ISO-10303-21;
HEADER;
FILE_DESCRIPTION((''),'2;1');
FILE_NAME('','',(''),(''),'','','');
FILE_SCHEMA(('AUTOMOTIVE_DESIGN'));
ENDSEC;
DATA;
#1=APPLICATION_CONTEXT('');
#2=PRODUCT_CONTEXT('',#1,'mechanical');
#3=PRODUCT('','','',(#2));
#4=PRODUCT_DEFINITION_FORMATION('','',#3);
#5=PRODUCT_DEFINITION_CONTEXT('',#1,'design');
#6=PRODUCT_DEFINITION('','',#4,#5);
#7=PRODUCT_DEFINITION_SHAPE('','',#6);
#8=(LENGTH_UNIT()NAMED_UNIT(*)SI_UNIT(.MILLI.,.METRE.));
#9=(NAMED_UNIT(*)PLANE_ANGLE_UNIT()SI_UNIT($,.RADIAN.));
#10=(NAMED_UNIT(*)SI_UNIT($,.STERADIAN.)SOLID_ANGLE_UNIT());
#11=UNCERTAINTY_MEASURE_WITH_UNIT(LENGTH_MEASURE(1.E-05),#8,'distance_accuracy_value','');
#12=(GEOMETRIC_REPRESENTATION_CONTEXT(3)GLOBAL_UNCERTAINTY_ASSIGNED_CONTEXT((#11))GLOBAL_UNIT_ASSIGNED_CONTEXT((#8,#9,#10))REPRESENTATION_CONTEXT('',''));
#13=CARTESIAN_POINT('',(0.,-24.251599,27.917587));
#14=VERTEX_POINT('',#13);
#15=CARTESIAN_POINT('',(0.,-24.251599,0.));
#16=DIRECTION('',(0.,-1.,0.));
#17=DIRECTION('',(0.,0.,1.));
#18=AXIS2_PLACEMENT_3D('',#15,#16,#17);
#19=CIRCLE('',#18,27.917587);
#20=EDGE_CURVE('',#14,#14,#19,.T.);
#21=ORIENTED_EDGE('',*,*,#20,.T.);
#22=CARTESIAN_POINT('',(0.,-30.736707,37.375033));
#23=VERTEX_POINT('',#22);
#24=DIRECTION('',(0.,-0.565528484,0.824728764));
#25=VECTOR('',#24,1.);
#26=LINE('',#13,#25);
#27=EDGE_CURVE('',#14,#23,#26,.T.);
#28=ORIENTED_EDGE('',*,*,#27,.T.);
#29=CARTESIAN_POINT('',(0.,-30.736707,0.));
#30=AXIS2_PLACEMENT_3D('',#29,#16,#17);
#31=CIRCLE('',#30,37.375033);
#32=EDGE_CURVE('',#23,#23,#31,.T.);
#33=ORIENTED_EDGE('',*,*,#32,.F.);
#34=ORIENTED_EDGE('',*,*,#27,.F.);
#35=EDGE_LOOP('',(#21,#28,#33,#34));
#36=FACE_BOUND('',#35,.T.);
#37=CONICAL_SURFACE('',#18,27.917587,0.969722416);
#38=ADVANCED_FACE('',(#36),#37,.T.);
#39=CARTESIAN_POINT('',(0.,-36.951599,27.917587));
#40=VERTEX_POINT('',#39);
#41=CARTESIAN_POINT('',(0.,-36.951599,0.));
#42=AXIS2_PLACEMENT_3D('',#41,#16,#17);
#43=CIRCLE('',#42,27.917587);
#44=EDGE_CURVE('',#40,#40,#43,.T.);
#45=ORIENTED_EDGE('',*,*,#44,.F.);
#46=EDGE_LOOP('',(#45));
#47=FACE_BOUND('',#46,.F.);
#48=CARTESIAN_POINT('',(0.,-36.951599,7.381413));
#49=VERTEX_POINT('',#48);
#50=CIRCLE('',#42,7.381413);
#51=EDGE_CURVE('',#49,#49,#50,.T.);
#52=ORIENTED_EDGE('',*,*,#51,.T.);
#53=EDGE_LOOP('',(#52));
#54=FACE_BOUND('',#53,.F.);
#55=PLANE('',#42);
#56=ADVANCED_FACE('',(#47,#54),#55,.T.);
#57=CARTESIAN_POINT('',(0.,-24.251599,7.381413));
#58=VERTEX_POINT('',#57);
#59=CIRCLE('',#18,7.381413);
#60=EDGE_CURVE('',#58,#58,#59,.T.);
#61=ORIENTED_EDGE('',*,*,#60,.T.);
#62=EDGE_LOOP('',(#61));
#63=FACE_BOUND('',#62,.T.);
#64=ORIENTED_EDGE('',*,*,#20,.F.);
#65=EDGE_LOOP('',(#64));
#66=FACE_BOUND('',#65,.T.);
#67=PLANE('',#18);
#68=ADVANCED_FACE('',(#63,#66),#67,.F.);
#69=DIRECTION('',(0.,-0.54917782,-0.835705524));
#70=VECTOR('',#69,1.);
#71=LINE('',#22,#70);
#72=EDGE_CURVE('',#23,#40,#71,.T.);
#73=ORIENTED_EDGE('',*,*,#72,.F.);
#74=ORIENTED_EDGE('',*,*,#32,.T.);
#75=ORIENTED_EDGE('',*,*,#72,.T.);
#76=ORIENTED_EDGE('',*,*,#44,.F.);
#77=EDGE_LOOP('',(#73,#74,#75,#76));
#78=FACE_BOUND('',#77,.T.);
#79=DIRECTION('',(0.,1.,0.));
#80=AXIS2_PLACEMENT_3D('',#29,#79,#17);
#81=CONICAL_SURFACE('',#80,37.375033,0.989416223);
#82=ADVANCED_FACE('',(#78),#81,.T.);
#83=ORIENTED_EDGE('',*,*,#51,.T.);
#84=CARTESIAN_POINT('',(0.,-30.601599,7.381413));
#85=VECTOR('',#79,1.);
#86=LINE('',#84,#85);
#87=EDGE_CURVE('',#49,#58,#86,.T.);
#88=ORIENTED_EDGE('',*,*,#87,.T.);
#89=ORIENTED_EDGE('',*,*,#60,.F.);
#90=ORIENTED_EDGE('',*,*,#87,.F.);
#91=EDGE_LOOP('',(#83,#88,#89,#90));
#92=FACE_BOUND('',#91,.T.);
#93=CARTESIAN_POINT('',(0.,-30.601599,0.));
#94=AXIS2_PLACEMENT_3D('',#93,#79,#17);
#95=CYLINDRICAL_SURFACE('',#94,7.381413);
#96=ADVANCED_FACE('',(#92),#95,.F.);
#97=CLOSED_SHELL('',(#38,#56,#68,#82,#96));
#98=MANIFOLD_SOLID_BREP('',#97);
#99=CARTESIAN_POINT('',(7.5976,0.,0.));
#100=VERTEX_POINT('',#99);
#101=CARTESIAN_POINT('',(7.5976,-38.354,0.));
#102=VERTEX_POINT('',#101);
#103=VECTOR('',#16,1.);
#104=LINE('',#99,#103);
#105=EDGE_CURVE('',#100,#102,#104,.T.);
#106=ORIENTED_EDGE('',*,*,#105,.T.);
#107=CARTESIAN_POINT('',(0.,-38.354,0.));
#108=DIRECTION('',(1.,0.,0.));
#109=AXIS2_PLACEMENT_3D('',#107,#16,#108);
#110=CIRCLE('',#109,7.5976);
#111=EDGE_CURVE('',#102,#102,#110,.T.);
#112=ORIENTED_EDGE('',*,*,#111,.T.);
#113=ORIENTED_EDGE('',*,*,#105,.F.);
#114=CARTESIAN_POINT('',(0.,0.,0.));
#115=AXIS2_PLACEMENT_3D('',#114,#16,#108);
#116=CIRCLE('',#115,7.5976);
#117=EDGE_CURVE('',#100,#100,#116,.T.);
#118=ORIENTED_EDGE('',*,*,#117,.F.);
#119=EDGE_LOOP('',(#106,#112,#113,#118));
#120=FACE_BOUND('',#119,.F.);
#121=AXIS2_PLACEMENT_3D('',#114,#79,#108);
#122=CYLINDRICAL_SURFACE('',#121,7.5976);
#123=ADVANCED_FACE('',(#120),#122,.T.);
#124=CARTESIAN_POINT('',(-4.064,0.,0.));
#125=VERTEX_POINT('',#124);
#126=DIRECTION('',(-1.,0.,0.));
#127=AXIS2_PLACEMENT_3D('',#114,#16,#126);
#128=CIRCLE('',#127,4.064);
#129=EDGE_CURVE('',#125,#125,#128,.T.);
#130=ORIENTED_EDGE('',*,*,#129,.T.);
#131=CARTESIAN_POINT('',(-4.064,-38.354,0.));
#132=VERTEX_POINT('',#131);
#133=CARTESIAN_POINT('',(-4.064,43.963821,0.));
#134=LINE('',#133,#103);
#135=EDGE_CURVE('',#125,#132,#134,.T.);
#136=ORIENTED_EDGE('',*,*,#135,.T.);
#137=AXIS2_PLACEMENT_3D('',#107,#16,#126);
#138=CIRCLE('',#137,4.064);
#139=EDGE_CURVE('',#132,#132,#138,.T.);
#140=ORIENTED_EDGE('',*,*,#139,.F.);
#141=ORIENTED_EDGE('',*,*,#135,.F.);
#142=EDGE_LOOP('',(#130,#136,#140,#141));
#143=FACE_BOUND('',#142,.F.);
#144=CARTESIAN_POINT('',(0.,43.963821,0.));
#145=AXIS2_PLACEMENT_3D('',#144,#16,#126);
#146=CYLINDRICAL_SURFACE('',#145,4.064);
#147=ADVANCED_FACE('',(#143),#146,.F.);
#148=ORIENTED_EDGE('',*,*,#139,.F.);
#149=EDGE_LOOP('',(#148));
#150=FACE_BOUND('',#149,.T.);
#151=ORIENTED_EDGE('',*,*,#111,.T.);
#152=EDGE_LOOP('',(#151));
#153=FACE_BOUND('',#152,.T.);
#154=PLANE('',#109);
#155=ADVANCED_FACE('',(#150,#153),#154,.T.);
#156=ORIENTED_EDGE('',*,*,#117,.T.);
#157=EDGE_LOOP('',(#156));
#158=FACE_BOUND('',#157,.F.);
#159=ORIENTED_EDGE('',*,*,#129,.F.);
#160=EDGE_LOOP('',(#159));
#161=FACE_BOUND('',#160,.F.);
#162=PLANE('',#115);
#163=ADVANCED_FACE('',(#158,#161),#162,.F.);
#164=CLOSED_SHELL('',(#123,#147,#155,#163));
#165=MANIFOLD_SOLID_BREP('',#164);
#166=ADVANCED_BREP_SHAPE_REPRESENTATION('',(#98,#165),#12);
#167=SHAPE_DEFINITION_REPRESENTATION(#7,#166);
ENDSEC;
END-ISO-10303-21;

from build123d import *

# Parameters (mm, degrees)
F0_W     = 12.7
F0_H     = 20.536174
F2_R     = 7.5976
F3_DEPTH = 38.354
F5_D     = 8.128


with BuildPart() as f1:
    # F0 (on Right) → F1 (revolve)
    with BuildSketch(Plane.YZ):
        Polygon((-36.951599, 27.917587), (-24.251599, 27.917587), (-30.736707, 37.375033), align=None)
        with Locations((-30.601599, 17.6495)):
            Rectangle(F0_W, F0_H)
    revolve(axis=Axis((0, -24.285374, 0), (0, -1, 0)))


with BuildPart() as f3:
    # F2 (on Front) → F3 (new body)
    with BuildSketch(Plane.XZ):
        Circle(F2_R)
    extrude(amount=F3_DEPTH)

    # F5 (through all)
    with Locations(Plane(origin=(0, 0, 0), x_dir=(1, 0, 0), z_dir=(0, 1, 0))):
        with Locations((0, 0)):
            Hole(F5_D / 2)


solid = Compound([f1.part, f3.part])
